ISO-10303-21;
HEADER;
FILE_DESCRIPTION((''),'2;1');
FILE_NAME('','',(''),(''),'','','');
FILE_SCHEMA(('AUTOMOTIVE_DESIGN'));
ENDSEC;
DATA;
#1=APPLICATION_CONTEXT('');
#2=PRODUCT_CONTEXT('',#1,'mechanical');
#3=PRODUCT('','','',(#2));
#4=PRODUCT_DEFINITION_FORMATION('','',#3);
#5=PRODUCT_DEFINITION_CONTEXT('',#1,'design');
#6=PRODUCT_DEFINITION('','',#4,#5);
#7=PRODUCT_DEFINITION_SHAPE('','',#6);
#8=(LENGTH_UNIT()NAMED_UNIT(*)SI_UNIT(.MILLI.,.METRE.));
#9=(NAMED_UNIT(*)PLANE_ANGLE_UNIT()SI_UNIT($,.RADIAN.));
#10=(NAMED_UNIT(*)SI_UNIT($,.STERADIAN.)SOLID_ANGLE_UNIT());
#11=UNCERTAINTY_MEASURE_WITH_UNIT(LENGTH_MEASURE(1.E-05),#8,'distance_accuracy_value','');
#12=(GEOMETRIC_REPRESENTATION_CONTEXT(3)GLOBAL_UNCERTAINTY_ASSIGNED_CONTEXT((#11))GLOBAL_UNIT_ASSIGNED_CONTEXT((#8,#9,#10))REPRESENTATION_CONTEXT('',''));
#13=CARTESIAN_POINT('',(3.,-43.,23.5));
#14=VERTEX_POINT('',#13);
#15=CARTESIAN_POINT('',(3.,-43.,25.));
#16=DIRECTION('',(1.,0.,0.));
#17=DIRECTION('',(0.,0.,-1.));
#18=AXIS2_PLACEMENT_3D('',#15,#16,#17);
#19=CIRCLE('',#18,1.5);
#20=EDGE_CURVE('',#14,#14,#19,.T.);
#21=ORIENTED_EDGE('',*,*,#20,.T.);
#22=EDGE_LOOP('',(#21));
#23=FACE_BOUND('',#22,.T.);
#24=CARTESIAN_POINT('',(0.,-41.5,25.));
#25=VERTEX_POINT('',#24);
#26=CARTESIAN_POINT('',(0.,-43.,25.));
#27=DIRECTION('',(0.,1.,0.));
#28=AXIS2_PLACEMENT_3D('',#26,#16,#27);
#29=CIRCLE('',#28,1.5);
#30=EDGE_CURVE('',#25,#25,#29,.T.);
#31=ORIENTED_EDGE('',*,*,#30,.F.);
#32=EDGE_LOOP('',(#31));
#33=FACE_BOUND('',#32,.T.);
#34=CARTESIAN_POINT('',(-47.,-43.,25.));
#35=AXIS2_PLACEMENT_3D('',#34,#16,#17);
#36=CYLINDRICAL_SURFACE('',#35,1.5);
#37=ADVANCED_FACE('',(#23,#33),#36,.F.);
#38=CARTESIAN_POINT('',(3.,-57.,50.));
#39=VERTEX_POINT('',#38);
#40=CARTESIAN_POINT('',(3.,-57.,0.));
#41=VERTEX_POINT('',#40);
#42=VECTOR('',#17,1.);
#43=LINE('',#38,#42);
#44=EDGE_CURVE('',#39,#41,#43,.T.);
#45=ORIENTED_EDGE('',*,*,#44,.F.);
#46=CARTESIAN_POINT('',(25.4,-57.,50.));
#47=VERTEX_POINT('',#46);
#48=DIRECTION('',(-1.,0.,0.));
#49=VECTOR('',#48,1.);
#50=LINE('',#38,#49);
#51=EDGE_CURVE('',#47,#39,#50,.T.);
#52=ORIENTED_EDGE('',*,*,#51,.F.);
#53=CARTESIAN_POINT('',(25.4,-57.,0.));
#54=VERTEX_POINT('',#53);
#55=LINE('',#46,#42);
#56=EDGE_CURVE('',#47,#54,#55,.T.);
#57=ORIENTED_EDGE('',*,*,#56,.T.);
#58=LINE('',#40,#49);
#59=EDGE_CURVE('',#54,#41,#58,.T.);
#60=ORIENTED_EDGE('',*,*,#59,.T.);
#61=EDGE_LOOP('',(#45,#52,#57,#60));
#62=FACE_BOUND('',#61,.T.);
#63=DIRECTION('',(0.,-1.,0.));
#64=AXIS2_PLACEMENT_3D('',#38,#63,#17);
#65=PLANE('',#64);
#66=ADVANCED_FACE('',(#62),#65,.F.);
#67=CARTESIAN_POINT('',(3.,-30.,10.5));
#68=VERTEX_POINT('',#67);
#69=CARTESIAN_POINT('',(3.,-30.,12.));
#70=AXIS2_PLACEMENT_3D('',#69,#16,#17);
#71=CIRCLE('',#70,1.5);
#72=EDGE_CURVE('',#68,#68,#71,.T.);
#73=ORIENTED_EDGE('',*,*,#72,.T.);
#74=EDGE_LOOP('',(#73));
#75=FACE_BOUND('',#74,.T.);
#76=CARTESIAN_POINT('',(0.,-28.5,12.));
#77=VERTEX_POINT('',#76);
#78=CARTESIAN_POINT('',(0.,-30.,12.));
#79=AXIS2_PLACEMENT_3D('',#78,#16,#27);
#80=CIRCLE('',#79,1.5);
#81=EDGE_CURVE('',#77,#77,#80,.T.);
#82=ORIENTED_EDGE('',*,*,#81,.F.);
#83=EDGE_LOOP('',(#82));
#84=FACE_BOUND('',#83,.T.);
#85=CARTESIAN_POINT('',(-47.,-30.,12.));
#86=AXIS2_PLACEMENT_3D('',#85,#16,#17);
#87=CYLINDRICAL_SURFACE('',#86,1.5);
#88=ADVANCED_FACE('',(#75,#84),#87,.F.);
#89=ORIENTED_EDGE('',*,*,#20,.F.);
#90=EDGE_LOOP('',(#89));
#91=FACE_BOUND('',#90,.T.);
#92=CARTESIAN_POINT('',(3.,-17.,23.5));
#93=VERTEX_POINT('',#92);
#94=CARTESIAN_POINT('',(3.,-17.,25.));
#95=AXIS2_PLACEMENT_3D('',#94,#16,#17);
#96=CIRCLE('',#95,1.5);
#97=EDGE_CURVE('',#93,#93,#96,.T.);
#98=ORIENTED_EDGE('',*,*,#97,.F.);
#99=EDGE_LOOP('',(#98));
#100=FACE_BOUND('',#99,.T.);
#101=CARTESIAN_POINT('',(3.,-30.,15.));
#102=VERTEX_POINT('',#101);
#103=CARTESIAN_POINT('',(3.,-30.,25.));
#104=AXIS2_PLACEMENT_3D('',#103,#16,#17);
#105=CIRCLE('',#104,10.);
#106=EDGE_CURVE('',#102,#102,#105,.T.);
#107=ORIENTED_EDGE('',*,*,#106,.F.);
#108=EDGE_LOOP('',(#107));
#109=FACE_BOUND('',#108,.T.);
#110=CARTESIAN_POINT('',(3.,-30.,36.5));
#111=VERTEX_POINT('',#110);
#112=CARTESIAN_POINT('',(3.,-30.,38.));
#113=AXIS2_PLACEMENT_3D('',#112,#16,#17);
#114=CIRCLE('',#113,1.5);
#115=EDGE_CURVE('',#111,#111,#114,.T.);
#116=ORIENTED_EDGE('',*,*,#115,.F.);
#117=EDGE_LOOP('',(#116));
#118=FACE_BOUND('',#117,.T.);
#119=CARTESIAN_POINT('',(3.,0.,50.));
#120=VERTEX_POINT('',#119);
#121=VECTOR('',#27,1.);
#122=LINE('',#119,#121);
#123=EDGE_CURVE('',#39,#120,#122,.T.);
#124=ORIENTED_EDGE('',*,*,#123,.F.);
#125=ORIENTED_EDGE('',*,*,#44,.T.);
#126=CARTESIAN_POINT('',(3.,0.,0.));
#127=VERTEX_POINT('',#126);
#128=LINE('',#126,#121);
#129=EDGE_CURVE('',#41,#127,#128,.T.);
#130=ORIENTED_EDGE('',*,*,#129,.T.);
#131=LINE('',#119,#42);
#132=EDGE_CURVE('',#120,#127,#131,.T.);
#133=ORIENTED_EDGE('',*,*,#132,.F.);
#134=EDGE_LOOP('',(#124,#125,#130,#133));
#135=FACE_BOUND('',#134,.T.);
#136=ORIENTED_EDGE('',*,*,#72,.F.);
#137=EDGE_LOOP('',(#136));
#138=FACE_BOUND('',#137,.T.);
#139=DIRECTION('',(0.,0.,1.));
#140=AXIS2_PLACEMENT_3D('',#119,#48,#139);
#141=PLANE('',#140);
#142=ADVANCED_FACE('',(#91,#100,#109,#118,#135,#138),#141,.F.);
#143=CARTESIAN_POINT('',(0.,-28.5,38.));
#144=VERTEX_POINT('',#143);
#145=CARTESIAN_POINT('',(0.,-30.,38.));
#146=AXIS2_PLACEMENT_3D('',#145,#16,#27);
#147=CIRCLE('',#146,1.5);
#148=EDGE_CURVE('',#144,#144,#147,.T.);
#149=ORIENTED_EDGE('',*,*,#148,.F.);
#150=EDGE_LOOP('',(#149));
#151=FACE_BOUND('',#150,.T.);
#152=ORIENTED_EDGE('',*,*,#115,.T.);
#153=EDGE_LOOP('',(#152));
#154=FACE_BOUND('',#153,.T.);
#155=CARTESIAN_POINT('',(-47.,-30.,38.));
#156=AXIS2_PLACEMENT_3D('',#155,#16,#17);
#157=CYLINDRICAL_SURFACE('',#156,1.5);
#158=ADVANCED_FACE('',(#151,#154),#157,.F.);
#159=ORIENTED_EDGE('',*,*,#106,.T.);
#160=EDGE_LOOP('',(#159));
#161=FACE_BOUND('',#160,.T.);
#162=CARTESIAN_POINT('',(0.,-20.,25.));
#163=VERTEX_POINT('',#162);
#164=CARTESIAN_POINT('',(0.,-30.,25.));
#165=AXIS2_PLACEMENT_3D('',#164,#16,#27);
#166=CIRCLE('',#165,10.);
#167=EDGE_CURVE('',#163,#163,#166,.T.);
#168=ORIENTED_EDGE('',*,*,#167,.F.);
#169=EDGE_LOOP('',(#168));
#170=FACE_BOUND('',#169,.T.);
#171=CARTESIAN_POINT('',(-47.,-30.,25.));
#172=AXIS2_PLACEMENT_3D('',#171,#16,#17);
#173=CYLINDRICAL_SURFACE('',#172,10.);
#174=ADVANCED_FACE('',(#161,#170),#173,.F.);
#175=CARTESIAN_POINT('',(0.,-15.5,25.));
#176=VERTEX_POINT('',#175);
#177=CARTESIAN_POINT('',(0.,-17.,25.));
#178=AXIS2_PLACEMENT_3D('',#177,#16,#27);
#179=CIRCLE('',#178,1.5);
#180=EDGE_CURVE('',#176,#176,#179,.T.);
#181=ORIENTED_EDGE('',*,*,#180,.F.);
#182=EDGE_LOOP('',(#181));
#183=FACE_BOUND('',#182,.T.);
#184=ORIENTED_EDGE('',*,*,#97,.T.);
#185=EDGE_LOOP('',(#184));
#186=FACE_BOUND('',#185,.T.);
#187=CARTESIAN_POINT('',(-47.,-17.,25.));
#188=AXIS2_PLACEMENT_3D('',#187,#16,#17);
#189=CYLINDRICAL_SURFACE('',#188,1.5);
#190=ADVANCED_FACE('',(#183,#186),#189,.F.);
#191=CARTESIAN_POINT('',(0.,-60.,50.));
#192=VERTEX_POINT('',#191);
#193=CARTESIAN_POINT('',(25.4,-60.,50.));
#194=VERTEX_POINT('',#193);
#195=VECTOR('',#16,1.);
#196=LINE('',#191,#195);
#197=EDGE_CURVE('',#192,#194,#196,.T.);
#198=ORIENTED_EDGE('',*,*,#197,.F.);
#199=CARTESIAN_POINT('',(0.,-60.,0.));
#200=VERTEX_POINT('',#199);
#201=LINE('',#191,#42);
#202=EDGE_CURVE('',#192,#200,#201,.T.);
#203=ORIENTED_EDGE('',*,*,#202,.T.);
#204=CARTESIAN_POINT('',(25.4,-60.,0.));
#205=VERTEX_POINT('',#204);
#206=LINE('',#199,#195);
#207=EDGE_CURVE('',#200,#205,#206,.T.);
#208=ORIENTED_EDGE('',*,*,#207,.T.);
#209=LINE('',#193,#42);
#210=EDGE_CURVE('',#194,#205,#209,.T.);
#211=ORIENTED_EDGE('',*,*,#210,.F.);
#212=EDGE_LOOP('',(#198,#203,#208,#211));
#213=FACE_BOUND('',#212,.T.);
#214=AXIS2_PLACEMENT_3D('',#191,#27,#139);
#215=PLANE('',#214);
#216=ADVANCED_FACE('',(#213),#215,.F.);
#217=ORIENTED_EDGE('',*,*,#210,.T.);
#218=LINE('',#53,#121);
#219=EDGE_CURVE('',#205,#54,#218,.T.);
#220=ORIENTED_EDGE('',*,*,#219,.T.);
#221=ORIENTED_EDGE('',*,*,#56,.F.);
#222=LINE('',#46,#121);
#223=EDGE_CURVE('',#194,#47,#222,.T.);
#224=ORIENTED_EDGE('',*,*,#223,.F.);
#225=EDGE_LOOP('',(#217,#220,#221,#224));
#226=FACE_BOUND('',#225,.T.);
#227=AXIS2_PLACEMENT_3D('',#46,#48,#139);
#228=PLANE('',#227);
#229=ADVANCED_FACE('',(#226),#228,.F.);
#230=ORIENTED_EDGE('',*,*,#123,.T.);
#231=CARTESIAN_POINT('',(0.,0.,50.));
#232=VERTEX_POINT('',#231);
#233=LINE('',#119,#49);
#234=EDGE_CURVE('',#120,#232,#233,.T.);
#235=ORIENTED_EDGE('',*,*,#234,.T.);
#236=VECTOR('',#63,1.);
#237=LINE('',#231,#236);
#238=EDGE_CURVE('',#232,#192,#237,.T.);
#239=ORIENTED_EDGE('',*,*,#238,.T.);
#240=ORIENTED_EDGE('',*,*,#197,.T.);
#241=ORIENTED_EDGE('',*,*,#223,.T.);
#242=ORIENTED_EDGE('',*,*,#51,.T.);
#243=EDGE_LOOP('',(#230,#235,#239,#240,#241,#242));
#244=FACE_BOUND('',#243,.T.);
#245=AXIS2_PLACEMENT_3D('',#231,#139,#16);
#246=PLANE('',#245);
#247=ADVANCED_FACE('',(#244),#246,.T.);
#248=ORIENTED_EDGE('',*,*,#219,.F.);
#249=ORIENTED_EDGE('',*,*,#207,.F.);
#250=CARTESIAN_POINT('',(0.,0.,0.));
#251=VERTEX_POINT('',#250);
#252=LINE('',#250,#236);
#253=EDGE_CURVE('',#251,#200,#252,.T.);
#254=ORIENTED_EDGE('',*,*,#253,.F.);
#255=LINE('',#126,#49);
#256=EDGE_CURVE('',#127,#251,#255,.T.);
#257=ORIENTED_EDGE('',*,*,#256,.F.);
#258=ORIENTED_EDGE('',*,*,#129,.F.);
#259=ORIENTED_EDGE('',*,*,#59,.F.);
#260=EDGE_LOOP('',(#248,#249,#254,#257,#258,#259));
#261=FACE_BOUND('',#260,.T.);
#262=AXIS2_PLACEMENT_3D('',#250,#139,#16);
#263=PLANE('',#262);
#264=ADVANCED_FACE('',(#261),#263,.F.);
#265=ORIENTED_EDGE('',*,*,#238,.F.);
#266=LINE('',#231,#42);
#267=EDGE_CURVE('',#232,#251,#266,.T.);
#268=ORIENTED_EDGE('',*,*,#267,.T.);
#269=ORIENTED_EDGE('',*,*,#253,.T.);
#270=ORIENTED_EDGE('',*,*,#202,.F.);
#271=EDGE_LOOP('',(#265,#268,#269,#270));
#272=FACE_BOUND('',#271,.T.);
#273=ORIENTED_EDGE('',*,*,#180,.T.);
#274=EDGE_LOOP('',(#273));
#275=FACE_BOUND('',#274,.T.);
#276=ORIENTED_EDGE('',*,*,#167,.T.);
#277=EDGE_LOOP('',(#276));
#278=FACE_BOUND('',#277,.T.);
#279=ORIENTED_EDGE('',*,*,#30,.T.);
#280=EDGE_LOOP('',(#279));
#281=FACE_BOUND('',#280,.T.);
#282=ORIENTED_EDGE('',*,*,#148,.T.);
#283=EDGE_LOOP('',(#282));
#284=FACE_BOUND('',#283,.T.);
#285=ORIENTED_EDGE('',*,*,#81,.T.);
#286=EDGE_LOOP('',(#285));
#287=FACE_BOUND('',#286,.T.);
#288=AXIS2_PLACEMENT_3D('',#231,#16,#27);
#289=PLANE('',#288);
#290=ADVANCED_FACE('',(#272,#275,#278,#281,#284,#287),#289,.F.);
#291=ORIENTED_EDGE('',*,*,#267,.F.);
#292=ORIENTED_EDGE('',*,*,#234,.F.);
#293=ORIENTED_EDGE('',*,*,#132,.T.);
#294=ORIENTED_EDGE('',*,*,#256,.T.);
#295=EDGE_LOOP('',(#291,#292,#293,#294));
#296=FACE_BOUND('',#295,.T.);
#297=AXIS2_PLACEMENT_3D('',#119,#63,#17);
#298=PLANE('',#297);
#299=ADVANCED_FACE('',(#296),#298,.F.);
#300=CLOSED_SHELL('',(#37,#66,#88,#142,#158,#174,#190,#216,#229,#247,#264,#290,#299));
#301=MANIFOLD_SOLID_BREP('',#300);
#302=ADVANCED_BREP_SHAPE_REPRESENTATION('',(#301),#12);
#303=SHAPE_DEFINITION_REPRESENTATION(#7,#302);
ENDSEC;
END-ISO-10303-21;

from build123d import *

# Parameters (mm, degrees)
BOSS_EXTRUDE1_DEPTH = 50
SKETCH2_R           = 10
SKETCH2_R_2         = 1.5
CUT_EXTRUDE1_DEPTH  = 50


with BuildPart() as part:
    # Sketch1 → Boss-Extrude1 (new body)
    with BuildSketch(Plane.XY):
        Polygon((0, 0), (0, -60), (25.4, -60), (25.4, -57), (3, -57), (3, 0), align=None)
    extrude(amount=BOSS_EXTRUDE1_DEPTH)

    # Sketch2 → Cut-Extrude1 (cut)
    with BuildSketch(Plane(origin=(3, 0, 0), x_dir=(0, 0, -1), z_dir=(1, 0, 0))):
        with Locations((-25, -30)):
            Circle(SKETCH2_R)
        with Locations((-25, -17)):
            Circle(SKETCH2_R_2)
        with Locations((-12, -30)):
            Circle(SKETCH2_R_2)
        with Locations((-25, -43)):
            Circle(SKETCH2_R_2)
        with Locations((-38, -30)):
            Circle(SKETCH2_R_2)
    extrude(amount=-CUT_EXTRUDE1_DEPTH, mode=Mode.SUBTRACT)


solid = part.part
